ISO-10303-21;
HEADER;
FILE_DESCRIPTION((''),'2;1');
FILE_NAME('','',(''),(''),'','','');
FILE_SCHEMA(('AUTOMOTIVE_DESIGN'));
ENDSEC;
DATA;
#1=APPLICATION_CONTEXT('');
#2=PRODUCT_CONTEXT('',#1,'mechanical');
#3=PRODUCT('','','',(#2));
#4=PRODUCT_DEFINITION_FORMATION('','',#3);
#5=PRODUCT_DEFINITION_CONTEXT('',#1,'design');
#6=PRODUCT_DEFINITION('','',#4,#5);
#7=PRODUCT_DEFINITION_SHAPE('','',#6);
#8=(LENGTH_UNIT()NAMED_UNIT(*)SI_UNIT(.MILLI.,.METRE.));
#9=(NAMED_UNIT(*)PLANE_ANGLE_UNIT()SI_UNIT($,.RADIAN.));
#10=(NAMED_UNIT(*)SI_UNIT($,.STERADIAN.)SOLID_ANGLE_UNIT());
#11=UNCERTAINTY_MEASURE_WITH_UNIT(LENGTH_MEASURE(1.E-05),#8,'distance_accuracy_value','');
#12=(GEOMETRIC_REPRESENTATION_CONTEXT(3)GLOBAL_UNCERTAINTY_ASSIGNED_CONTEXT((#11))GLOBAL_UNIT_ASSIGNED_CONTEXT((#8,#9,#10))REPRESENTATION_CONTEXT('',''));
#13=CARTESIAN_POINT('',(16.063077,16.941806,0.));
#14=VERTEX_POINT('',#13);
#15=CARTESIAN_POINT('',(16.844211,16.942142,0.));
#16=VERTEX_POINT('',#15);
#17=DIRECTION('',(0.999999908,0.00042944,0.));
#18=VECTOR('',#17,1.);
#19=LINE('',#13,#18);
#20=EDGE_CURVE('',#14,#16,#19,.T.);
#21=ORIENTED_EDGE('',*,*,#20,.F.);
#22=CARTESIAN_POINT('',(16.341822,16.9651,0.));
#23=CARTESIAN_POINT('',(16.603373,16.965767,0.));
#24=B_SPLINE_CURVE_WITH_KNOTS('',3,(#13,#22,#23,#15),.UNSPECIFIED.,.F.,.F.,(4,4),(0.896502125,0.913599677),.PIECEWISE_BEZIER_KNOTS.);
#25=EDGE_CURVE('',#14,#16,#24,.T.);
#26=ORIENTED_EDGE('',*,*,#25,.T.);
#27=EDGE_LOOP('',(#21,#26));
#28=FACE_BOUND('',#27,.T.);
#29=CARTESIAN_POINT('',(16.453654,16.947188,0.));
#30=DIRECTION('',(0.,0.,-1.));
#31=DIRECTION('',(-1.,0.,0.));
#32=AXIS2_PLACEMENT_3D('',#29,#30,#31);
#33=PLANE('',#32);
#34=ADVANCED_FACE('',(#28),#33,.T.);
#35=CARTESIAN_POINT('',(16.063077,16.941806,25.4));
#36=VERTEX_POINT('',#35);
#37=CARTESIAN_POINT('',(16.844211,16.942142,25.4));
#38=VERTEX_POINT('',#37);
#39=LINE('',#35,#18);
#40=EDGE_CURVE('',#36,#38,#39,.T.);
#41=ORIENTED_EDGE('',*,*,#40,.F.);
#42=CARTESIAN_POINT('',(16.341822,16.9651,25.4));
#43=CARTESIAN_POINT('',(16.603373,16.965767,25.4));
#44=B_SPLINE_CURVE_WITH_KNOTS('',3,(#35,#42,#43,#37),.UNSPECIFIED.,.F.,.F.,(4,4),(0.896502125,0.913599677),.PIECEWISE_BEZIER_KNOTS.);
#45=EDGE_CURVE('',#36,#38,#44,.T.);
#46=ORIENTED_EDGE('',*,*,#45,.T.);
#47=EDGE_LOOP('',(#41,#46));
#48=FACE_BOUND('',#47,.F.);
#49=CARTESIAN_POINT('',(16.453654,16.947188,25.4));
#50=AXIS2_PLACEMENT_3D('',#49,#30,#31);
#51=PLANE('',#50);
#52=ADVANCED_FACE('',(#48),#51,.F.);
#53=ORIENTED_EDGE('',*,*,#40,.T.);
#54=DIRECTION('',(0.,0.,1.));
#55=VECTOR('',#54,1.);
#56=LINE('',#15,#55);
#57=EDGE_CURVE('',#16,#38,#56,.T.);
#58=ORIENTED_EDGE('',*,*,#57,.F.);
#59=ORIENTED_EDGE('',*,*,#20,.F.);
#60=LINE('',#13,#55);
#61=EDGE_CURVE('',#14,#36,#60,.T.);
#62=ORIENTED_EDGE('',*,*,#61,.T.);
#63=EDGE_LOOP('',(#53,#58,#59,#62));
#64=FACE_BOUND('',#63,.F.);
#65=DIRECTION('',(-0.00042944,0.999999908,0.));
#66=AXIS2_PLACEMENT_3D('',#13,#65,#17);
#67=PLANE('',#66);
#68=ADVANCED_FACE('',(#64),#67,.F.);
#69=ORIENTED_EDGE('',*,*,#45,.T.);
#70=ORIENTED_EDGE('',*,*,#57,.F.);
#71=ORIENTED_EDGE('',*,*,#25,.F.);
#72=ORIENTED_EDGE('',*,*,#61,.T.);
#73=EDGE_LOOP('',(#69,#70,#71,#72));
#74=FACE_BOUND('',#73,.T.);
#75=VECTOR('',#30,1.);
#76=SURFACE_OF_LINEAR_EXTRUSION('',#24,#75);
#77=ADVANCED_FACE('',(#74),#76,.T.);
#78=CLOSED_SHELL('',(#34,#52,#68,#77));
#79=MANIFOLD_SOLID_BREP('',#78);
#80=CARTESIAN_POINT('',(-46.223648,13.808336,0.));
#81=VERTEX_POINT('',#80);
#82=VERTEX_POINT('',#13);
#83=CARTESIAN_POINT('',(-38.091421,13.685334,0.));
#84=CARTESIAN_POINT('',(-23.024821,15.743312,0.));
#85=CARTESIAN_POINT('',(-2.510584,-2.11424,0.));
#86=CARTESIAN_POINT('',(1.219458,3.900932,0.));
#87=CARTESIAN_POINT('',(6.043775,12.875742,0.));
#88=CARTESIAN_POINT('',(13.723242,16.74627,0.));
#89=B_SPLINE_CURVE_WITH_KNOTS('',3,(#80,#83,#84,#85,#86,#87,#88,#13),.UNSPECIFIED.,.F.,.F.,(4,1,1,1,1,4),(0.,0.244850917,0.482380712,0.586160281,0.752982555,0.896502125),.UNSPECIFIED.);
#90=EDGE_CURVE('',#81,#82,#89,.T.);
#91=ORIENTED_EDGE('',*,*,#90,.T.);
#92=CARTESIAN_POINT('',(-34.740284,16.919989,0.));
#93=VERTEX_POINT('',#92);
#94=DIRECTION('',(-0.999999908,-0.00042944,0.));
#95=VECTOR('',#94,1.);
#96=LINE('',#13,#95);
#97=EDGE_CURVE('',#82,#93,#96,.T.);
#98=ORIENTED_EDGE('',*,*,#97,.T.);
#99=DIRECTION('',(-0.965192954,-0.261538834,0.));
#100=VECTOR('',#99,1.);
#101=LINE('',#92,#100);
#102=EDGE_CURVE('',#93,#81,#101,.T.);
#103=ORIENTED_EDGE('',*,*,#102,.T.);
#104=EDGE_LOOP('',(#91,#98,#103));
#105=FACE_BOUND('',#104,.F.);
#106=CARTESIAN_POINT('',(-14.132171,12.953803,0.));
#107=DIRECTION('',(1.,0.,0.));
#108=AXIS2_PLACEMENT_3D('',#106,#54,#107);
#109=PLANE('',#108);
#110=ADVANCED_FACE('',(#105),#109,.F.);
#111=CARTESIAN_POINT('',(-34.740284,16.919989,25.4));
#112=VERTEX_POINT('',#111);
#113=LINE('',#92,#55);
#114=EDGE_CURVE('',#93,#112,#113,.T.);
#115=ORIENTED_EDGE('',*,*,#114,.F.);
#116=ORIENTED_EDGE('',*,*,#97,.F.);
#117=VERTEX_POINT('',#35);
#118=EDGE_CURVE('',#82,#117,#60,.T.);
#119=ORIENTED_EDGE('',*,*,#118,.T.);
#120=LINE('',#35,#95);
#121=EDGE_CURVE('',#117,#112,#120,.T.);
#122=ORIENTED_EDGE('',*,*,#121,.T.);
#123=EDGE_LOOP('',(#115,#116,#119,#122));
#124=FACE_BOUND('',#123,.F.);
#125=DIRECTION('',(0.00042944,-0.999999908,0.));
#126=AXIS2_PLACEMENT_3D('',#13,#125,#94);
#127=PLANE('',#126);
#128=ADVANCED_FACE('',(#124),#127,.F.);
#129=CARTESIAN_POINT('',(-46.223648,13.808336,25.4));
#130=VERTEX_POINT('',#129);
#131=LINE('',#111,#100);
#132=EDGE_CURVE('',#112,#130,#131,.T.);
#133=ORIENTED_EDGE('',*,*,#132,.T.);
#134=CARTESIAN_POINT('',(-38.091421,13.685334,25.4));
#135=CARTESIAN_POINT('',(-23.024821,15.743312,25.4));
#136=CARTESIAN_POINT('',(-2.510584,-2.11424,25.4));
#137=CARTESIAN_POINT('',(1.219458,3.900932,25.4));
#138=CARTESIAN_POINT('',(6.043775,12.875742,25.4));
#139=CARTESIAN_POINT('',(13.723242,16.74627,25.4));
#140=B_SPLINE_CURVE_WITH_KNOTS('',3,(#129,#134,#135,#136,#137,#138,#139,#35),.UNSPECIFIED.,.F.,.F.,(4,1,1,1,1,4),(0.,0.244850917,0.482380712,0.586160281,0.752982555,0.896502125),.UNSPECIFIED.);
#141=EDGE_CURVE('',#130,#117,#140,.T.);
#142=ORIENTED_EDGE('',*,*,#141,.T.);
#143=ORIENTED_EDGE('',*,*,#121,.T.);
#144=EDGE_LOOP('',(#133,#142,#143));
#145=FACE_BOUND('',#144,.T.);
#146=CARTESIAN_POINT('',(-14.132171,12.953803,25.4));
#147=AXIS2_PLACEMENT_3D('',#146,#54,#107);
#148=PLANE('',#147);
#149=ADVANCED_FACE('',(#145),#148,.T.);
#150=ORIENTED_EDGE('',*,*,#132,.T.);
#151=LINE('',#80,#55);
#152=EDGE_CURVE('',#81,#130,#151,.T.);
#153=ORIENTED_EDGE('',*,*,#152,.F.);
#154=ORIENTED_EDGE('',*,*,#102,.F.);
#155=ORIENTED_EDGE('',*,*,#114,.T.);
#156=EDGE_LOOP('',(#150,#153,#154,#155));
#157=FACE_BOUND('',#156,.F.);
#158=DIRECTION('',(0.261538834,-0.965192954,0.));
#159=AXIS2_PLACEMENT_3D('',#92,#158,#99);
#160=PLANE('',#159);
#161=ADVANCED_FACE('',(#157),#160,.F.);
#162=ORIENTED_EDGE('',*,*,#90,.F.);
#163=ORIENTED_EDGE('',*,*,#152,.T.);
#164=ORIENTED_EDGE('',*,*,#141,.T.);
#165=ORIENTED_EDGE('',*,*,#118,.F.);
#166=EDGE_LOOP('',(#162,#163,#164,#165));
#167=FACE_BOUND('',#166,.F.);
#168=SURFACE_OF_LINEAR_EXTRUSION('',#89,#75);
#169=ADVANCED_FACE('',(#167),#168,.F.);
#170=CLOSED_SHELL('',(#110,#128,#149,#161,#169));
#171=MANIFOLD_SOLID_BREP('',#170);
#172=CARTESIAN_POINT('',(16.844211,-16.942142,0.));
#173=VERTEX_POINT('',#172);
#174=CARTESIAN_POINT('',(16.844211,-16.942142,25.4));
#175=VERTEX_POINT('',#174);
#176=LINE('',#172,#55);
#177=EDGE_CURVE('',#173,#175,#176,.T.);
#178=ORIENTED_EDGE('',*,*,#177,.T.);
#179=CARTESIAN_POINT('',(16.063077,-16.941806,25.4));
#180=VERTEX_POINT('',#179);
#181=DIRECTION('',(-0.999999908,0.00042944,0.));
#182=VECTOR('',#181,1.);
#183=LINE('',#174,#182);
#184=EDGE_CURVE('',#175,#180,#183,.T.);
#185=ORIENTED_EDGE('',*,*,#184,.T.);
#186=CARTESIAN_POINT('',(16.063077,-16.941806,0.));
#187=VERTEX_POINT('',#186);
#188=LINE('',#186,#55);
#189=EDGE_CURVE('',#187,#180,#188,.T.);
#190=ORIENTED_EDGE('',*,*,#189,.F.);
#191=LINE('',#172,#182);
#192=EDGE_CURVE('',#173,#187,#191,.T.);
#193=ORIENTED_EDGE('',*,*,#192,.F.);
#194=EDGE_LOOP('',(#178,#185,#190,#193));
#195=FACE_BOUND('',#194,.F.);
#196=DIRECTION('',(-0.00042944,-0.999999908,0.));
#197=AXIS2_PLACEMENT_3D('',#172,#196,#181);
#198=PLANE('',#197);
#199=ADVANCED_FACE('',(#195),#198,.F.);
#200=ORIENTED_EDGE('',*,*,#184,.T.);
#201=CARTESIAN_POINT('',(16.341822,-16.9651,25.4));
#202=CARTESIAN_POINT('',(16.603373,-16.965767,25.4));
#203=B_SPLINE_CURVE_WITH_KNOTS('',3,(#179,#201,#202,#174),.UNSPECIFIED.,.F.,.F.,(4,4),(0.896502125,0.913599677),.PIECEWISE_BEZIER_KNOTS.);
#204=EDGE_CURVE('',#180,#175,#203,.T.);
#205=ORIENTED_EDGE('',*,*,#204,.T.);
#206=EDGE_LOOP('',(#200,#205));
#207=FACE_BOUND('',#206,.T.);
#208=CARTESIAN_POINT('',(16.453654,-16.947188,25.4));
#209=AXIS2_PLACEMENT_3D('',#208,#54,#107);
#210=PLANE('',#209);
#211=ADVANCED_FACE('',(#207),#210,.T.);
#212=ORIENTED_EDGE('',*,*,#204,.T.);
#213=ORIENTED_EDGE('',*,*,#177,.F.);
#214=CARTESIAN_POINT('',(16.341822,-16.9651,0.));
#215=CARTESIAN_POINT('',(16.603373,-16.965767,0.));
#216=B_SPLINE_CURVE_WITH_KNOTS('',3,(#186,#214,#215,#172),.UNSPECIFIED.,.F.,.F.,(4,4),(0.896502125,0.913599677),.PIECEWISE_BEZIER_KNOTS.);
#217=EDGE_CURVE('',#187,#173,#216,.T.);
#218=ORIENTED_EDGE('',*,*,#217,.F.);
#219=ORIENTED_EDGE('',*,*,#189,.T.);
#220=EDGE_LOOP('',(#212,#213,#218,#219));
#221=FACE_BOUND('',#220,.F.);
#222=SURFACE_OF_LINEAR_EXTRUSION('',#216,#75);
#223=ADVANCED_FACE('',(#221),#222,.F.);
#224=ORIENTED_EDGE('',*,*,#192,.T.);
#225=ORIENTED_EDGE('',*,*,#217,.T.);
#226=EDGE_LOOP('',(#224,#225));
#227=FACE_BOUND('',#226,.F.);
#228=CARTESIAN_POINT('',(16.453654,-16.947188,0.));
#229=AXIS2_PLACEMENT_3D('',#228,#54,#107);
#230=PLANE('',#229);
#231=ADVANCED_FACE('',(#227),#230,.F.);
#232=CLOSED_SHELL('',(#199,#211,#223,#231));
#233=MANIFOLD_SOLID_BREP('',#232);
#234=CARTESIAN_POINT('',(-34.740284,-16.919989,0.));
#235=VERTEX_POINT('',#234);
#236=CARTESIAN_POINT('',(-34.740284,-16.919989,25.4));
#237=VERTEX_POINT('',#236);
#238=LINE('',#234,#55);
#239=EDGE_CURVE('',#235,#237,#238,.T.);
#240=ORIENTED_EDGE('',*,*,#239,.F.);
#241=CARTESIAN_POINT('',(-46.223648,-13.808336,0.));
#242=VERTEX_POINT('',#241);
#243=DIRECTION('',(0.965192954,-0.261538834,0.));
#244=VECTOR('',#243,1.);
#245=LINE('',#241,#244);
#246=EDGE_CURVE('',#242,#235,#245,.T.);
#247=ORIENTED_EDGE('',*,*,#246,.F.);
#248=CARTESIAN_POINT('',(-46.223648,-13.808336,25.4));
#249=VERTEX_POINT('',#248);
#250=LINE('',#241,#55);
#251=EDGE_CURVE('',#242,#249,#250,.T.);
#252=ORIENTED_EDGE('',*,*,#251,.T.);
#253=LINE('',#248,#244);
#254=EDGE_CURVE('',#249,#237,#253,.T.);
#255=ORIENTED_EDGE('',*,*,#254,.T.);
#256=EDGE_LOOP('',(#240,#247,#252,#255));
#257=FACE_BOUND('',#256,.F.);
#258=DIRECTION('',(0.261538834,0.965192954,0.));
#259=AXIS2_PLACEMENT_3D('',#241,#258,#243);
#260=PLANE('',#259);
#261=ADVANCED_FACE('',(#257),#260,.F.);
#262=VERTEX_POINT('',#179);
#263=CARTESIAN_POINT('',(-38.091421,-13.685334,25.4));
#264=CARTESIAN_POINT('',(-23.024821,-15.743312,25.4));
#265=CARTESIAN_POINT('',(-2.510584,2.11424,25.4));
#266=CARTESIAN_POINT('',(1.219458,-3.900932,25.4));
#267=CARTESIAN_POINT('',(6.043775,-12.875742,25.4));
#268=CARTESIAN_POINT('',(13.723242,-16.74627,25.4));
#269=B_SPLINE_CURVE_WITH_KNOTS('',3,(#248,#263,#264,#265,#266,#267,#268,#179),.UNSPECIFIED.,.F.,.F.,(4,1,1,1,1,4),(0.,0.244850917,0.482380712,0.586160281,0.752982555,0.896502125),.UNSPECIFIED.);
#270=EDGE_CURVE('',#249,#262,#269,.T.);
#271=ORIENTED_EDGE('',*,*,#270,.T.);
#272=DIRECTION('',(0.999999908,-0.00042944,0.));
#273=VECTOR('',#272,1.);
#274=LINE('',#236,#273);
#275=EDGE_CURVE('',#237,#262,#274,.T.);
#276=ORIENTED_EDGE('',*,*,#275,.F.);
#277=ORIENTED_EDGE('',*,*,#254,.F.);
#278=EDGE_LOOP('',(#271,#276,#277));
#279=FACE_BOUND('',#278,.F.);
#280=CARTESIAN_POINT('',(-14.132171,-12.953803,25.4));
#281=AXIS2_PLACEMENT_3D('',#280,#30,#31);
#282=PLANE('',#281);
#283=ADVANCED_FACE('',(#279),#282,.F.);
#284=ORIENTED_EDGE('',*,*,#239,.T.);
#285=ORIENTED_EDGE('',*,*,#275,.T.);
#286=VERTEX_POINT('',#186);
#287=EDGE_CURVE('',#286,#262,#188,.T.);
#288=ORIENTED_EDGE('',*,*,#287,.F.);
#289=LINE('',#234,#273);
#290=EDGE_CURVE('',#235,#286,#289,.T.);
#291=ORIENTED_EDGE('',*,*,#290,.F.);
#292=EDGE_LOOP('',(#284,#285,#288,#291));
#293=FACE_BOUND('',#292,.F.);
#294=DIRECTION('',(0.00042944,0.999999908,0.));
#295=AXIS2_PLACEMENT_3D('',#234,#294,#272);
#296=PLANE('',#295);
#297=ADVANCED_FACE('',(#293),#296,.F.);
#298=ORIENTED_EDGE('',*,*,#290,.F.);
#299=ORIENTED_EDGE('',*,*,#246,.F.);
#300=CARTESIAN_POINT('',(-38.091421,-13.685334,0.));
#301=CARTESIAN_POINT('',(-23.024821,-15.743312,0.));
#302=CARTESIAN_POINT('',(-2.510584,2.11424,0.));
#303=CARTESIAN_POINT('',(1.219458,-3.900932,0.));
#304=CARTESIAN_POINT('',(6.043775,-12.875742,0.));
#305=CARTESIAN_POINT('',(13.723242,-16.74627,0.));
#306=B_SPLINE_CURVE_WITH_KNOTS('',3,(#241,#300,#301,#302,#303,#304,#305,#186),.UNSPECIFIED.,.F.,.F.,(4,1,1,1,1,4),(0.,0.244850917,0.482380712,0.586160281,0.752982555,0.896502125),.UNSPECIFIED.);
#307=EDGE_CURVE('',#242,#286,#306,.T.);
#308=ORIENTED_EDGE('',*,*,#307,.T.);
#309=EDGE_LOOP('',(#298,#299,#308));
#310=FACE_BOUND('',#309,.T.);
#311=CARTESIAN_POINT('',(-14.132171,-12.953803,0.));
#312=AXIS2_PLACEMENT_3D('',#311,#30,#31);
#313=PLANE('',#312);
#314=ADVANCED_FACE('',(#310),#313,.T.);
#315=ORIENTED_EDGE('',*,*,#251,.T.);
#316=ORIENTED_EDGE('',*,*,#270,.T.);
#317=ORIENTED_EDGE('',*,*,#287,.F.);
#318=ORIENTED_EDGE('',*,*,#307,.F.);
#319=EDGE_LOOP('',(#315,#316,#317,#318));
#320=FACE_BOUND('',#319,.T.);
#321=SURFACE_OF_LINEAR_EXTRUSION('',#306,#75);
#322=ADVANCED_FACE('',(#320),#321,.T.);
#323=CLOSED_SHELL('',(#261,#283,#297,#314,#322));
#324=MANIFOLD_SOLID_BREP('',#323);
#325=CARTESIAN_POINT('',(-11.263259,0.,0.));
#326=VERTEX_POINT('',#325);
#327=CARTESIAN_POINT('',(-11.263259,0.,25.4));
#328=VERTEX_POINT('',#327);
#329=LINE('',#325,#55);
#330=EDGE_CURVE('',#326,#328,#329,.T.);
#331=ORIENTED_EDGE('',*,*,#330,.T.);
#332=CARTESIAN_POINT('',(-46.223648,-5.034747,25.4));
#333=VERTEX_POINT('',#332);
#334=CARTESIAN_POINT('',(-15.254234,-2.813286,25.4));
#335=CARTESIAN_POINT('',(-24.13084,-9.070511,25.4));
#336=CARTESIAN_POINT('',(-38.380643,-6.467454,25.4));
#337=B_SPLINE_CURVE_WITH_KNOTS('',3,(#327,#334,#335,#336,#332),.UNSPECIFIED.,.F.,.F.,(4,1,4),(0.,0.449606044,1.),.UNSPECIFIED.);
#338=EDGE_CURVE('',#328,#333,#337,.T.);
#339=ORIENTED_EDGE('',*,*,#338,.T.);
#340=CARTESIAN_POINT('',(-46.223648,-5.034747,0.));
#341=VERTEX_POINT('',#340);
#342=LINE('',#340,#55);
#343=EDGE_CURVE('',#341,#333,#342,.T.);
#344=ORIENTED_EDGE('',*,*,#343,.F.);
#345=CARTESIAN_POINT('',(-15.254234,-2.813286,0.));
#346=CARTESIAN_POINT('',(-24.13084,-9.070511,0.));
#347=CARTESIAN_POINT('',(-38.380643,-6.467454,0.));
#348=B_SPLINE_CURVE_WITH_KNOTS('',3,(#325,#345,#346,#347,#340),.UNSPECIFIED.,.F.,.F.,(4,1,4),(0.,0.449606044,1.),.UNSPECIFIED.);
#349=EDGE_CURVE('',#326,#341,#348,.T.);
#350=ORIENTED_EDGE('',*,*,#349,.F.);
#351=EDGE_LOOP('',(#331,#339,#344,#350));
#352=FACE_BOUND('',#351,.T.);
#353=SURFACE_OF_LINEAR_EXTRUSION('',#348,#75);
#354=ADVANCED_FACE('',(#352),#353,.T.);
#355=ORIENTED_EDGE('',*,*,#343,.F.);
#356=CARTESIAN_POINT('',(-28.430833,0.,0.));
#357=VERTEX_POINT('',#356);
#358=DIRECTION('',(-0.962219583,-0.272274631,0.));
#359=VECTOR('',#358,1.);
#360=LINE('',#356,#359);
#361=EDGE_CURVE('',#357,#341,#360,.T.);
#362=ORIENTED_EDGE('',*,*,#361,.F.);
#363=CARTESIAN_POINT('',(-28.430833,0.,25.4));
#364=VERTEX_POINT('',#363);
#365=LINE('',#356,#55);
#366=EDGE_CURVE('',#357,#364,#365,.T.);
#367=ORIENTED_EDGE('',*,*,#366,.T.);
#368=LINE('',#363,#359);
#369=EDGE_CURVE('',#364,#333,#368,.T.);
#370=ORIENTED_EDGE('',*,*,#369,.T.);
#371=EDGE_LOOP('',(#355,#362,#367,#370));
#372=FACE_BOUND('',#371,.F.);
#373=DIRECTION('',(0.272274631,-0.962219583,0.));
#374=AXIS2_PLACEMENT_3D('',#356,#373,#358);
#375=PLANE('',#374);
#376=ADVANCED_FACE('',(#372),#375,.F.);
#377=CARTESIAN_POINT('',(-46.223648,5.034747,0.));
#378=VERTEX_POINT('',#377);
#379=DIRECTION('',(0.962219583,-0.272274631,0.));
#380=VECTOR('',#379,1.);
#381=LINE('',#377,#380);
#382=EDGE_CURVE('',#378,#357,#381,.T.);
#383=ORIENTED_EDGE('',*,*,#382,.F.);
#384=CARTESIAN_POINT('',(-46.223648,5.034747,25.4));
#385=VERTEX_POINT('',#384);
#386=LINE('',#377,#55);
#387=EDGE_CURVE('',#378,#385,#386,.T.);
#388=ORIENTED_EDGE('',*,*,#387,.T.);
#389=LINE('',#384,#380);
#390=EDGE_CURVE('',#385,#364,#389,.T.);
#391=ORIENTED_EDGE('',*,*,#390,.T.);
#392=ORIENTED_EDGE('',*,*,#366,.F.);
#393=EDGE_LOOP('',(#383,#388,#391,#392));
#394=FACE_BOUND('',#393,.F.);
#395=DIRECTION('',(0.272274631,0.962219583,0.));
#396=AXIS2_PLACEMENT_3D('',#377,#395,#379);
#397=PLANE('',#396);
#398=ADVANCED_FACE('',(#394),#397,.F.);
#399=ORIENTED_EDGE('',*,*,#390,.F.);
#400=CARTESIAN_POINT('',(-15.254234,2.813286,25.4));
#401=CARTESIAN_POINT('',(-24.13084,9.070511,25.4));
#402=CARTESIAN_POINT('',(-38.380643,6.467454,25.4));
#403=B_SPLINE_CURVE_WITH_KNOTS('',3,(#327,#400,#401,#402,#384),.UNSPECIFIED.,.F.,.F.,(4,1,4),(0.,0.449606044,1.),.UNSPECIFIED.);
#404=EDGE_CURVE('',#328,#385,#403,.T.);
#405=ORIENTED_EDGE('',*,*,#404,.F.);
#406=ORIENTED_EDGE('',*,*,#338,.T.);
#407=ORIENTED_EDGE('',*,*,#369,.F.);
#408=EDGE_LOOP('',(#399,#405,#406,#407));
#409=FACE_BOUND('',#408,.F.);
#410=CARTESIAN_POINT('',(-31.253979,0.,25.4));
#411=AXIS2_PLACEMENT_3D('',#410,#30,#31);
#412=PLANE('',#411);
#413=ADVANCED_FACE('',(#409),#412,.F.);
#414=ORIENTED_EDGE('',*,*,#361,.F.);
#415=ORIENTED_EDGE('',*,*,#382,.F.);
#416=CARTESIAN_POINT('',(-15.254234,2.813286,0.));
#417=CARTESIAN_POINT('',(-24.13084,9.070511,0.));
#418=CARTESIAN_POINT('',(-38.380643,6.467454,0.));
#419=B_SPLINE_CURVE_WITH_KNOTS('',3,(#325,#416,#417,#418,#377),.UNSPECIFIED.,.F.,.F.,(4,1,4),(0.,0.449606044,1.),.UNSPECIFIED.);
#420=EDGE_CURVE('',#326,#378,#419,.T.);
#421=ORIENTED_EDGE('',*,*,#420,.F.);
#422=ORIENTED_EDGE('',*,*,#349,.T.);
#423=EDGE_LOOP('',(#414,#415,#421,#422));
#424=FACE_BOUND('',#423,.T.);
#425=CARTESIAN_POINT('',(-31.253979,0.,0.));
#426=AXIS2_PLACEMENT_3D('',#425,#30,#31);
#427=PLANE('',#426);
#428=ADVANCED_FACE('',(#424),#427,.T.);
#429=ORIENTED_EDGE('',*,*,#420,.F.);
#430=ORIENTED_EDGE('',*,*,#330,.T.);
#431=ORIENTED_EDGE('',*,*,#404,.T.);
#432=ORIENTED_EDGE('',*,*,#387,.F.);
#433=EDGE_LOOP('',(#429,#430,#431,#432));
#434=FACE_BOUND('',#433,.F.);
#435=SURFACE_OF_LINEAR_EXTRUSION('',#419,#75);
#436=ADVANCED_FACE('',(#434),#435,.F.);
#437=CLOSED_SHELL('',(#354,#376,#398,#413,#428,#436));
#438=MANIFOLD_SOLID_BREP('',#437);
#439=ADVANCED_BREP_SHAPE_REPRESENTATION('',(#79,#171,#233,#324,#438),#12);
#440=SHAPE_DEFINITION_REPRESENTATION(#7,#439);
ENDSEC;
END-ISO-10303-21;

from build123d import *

# Parameters (mm, degrees)
F1_DEPTH = 25.4


with BuildPart() as f1:
    # F0 (on Top) → F1 (new body)
    with BuildSketch(Plane.XY):
        with BuildLine():
            Line((-34.7402840853, 16.9199891388), (-46.2236478925, 13.8083361089))
            add(Edge.make_bspline(
                [(-46.2236478925, 13.8083361089), (-38.0914208979, 13.6853341205), (-23.0248208357, 15.7433117304), (-2.5105837174, -2.1142398639), (1.2194582721, 3.900932001), (6.043774636, 12.8757415107), (13.7232416145, 16.7462701598), (16.0630768137, 16.9418061274)],
                knots=[0, 0, 0, 0, 0.2448509172, 0.4823807116, 0.5861602814, 0.7529825552, 0.8965021251, 0.8965021251, 0.8965021251, 0.8965021251], degree=3))
            Line((16.0630768137, 16.9418061274), (-34.7402840853, 16.9199891388))
        make_face()
    extrude(amount=F1_DEPTH)


with BuildPart() as f1b:
    # F0 (on Top) → F1, piece 2 (new body)
    with BuildSketch(Plane.XY):
        with BuildLine():
            add(Edge.make_bspline(
                [(16.0630768137, 16.9418061274), (16.3418224495, 16.9651004165), (16.6033732141, 16.9657666666), (16.8442111462, 16.9421415776)],
                knots=[0.8965021251, 0.8965021251, 0.8965021251, 0.8965021251, 0.913599677, 0.913599677, 0.913599677, 0.913599677], degree=3))
            Line((16.0630768137, 16.9418061274), (16.8442111462, 16.9421415776))
        make_face()
    extrude(amount=F1_DEPTH)


with BuildPart() as f1c:
    # F0 (on Top) → F1, piece 3 (new body)
    with BuildSketch(Plane.XY):
        with BuildLine():
            add(Edge.make_bspline(
                [(-11.2632587552, 0), (-15.2542342041, -2.8132861618), (-24.1308396202, -9.0705111187), (-38.3806425122, -6.467453982), (-46.2236478925, -5.0347470678)],
                knots=[0, 0, 0, 0, 0.4496060444, 1, 1, 1, 1], degree=3))
            add(Edge.make_bspline(
                [(-11.2632587552, 0), (-15.2542342041, 2.8132861618), (-24.1308396202, 9.0705111187), (-38.3806425122, 6.467453982), (-46.2236478925, 5.0347470678)],
                knots=[0, 0, 0, 0, 0.4496060444, 1, 1, 1, 1], degree=3))
            Line((-46.2236478925, 5.0347470678), (-28.4308325499, 0))
            Line((-28.4308325499, 0), (-46.2236478925, -5.0347470678))
        make_face()
    extrude(amount=F1_DEPTH)


with BuildPart() as f1d:
    # F0 (on Top) → F1, piece 4 (new body)
    with BuildSketch(Plane.XY):
        with BuildLine():
            Line((16.8442111462, -16.9421415776), (16.0630768137, -16.9418061274))
            add(Edge.make_bspline(
                [(16.0630768137, -16.9418061274), (16.3418224495, -16.9651004165), (16.6033732141, -16.9657666666), (16.8442111462, -16.9421415776)],
                knots=[0.8965021251, 0.8965021251, 0.8965021251, 0.8965021251, 0.913599677, 0.913599677, 0.913599677, 0.913599677], degree=3))
        make_face()
    extrude(amount=F1_DEPTH)


with BuildPart() as f1e:
    # F0 (on Top) → F1, piece 5 (new body)
    with BuildSketch(Plane.XY):
        with BuildLine():
            add(Edge.make_bspline(
                [(-46.2236478925, -13.8083361089), (-38.0914208979, -13.6853341205), (-23.0248208357, -15.7433117304), (-2.5105837174, 2.1142398639), (1.2194582721, -3.900932001), (6.043774636, -12.8757415107), (13.7232416145, -16.7462701598), (16.0630768137, -16.9418061274)],
                knots=[0, 0, 0, 0, 0.2448509172, 0.4823807116, 0.5861602814, 0.7529825552, 0.8965021251, 0.8965021251, 0.8965021251, 0.8965021251], degree=3))
            Line((-46.2236478925, -13.8083361089), (-34.7402840853, -16.9199891388))
            Line((-34.7402840853, -16.9199891388), (16.0630768137, -16.9418061274))
        make_face()
    extrude(amount=F1_DEPTH)


solid = Compound([f1.part, f1b.part, f1c.part, f1d.part, f1e.part])
